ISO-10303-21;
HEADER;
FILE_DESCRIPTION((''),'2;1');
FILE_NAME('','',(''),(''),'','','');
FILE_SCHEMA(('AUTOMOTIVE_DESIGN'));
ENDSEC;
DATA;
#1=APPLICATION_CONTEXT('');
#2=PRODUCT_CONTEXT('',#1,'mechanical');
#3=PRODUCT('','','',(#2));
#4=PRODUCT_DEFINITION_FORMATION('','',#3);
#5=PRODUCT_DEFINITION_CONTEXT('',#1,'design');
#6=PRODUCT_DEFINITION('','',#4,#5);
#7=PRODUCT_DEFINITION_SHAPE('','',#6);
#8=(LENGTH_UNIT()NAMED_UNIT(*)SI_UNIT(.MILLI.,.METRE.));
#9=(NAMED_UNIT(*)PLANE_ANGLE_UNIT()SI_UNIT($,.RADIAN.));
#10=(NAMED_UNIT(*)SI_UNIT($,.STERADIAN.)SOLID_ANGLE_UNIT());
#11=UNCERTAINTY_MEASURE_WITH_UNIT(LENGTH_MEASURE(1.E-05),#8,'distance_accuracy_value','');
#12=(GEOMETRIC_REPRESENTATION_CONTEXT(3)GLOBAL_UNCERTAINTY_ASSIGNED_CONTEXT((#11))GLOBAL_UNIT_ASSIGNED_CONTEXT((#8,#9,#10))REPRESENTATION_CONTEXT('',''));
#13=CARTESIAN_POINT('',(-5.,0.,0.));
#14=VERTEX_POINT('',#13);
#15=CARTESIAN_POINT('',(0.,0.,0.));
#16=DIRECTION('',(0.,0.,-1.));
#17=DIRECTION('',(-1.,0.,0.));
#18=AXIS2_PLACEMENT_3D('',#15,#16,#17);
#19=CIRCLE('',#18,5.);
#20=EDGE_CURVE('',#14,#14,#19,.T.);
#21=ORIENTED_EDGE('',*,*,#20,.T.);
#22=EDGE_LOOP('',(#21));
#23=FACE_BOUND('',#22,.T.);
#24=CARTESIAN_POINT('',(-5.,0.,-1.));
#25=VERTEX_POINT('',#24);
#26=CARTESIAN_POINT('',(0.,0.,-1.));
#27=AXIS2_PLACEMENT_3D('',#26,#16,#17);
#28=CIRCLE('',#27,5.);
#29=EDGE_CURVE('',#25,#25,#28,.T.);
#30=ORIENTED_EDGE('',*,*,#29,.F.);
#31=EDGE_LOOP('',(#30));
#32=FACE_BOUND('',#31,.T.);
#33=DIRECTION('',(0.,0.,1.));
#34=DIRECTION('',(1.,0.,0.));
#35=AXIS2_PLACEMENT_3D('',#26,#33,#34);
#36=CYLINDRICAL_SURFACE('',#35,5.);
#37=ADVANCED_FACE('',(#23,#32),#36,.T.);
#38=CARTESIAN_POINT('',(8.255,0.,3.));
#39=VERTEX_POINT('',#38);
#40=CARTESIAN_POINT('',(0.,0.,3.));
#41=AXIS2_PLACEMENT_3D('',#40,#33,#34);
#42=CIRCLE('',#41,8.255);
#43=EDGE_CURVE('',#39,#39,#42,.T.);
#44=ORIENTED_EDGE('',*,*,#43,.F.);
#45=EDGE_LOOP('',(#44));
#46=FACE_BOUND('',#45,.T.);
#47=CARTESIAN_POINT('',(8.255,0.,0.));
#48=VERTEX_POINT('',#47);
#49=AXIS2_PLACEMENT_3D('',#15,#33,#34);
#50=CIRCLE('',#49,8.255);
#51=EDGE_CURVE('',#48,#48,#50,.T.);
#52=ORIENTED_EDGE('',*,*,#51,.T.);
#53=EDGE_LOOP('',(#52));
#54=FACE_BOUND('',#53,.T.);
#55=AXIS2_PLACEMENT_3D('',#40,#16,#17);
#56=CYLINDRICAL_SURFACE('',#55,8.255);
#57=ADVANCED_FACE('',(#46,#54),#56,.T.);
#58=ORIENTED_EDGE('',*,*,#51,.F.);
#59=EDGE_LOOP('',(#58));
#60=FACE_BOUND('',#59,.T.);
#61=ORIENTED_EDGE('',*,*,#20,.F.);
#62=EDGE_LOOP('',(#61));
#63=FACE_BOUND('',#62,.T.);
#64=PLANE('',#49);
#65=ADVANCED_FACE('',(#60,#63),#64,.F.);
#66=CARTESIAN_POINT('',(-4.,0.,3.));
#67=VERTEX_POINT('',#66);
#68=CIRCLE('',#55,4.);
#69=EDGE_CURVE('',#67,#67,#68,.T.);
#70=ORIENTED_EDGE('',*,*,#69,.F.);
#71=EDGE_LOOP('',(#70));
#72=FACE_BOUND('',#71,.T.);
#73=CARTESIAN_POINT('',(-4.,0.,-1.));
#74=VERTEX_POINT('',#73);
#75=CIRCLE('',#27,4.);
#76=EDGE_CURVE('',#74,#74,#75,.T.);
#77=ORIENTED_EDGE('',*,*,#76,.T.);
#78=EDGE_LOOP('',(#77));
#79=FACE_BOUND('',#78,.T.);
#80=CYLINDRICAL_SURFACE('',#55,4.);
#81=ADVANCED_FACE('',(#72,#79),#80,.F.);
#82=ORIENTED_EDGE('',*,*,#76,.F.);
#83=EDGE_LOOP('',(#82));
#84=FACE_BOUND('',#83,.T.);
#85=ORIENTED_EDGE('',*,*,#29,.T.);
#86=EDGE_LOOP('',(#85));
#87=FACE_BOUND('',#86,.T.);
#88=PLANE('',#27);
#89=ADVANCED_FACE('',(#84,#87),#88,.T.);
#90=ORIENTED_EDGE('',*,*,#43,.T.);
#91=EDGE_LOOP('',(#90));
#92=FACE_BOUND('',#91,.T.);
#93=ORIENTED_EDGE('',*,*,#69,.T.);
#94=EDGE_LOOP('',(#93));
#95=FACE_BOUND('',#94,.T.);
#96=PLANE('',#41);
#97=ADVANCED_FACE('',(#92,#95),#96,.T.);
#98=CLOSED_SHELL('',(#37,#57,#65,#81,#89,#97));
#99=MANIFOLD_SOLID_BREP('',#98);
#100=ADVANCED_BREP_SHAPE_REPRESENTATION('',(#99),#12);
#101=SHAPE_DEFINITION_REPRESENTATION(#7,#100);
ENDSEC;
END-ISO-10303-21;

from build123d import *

# Parameters (mm, degrees)
SKETCH1_R           = 8.255
BOSS_EXTRUDE1_DEPTH = 3
SKETCH2_R           = 5
BOSS_EXTRUDE2_DEPTH = 1
SKETCH3_R           = 4
CUT_EXTRUDE1_DEPTH  = 5


with BuildPart() as part:
    # Sketch1 → Boss-Extrude1 (new body)
    with BuildSketch(Plane.XY):
        Circle(SKETCH1_R)
    extrude(amount=BOSS_EXTRUDE1_DEPTH)

    # Sketch2 → Boss-Extrude2 (add)
    with BuildSketch(Plane(origin=(0, 0, 0), x_dir=(-1, 0, 0), z_dir=(0, 0, -1))):
        Circle(SKETCH2_R)
    extrude(amount=BOSS_EXTRUDE2_DEPTH)

    # Sketch3 → Cut-Extrude1 (cut, through all)
    with BuildSketch(Plane(origin=(0, 0, -1), x_dir=(-1, 0, 0), z_dir=(0, 0, -1))):
        Circle(SKETCH3_R)
    extrude(amount=-CUT_EXTRUDE1_DEPTH, mode=Mode.SUBTRACT)


solid = part.part
